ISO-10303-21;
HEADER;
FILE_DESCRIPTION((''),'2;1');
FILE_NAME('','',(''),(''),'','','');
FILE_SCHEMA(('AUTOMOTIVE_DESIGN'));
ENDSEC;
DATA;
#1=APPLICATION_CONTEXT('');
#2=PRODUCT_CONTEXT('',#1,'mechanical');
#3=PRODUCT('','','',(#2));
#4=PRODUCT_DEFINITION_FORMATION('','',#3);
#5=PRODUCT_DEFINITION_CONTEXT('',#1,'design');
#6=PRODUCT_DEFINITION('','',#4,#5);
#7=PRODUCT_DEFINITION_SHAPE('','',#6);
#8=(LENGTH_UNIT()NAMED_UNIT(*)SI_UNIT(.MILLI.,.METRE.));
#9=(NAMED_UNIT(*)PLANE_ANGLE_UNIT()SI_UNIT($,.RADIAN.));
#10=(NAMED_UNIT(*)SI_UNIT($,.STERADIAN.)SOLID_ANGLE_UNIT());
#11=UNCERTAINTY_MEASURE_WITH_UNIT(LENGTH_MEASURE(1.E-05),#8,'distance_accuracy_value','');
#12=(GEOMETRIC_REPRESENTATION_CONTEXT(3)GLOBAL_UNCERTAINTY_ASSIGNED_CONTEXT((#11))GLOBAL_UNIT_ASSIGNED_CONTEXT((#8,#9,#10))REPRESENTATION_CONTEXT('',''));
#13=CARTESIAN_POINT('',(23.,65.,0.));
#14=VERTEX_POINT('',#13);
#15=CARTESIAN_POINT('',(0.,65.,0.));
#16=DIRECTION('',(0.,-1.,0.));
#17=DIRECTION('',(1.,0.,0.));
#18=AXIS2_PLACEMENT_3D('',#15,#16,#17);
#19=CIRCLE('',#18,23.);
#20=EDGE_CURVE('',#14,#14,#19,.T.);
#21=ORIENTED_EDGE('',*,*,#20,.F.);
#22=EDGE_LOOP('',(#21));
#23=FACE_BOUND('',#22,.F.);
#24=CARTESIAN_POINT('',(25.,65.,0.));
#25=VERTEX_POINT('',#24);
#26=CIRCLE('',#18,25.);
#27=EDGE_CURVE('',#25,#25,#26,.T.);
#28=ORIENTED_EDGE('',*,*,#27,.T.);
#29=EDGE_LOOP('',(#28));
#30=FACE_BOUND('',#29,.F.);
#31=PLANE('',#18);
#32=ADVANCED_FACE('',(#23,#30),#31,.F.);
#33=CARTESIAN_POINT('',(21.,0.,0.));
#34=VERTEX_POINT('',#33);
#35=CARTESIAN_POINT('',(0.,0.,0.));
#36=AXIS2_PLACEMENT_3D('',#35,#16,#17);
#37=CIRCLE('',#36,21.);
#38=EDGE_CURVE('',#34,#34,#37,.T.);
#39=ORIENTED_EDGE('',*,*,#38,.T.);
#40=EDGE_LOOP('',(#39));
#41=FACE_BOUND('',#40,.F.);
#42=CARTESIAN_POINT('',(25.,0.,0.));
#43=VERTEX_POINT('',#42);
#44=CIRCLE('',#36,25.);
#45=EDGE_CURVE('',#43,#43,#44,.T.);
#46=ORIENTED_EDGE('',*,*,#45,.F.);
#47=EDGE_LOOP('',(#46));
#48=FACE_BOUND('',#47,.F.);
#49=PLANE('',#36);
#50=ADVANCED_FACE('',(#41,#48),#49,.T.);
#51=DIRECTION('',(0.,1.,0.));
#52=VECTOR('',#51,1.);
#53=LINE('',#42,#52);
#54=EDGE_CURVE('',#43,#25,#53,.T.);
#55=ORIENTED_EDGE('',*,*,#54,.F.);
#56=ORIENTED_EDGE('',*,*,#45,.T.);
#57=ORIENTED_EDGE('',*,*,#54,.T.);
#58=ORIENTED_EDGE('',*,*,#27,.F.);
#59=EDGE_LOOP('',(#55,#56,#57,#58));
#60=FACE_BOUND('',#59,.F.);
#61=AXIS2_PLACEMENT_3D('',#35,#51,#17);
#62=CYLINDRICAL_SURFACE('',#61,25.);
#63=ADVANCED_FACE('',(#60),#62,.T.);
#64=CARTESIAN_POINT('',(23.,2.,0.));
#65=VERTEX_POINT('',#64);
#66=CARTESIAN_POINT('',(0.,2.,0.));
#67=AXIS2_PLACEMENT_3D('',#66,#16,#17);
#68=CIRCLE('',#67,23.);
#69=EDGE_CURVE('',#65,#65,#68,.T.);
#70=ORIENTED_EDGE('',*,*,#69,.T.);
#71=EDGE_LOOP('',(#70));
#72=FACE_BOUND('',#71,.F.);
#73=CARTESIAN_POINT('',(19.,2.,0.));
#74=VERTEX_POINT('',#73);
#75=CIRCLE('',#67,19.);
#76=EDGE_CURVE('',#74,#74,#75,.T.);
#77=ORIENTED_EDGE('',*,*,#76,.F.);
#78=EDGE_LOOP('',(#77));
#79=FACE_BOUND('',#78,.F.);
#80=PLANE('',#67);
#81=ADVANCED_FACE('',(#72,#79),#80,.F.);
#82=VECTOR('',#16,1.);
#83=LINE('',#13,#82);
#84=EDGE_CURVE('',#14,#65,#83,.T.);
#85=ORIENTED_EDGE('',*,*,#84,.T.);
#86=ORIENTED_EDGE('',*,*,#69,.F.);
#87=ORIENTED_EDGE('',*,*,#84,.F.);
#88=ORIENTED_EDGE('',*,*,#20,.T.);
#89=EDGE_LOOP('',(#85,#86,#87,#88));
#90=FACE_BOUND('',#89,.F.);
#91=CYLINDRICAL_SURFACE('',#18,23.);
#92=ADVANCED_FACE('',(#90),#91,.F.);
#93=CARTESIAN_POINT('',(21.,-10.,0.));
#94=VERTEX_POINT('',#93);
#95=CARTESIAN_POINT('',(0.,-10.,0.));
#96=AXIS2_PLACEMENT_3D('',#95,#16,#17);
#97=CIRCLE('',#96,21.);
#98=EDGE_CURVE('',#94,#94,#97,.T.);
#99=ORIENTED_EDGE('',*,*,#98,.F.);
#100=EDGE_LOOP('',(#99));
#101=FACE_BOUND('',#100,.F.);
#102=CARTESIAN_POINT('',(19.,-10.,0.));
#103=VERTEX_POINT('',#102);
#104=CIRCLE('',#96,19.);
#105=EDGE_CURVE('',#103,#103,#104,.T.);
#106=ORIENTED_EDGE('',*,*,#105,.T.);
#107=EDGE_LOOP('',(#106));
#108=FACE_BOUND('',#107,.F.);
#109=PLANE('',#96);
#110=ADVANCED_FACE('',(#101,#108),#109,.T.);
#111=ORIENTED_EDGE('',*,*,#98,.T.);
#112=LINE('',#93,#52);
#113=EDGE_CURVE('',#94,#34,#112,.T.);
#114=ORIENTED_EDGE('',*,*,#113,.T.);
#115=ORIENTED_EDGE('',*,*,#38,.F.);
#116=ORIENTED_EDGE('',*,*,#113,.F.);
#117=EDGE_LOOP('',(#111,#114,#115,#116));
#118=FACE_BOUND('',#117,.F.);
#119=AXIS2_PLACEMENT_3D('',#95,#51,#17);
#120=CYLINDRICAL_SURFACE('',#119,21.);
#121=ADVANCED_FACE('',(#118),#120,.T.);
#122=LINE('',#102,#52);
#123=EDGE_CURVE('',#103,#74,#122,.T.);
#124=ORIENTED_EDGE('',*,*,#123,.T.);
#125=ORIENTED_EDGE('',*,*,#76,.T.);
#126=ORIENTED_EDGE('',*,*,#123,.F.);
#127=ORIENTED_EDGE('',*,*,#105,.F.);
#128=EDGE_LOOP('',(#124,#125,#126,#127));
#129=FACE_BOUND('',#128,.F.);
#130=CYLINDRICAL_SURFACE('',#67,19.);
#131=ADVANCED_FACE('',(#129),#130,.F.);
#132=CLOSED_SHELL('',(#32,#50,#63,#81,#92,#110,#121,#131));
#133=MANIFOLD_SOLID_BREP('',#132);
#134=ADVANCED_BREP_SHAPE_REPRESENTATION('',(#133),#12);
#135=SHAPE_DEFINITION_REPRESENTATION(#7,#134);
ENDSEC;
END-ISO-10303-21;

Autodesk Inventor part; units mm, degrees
ref_plane "YZ Plane" through (0, 0, 0) normal (1, 0, 0) x (0, 1, 0)
ref_plane "XZ Plane" through (0, 0, 0) normal (0, 1, 0) x (-1, 0, 0)
ref_plane "XY Plane" through (0, 0, 0) normal (0, 0, 1) x (1, 0, 0)
sketch "Sketch1" plane through (0, 0, 0) normal (0, 0, 1) x (1, 0, 0)
  line L0 (0, 0) -> (25, 0) construction
  line L1 (25, 0) -> (25, 65) construction
  line L2 (25, 65) -> (0, 65) construction
  line L3 (0, 65) -> (0, 0) construction
  line L4 (25, 65) -> (23, 65)
  line L5 (23, 65) -> (23, 0)
  line L6 (23, 0) -> (25, 0)
  line L7 (25, 0) -> (25, 65)
  line L8 (0, 0) -> (21, 0) construction
  line L9 (21, 0) -> (21, -10) construction
  line L10 (21, -10) -> (0, -10) construction
  line L11 (0, -10) -> (0, 0) construction
  line L12 (21, 0) -> (19, 0)
  line L13 (19, 0) -> (19, -10)
  line L14 (19, -10) -> (21, -10)
  line L15 (21, -10) -> (21, 0)
  line L16 (19, 0) -> (25, 0)
  line L17 (25, 0) -> (25, 2)
  line L18 (25, 2) -> (19, 2)
  line L19 (19, 2) -> (19, 0)
  point P0 (23, 2)
  dimension "d0" = 25
  dimension "d1" = 65
  dimension "d2" = 2
  dimension "d3" = 21
  dimension "d4" = 10
  dimension "d5" = 2
  dimension "d6" = 2
revolve "Revolution1" add sketch "Sketch1" angle 360 about axis through (0, 65, 0) along (0, -1, 0)
properties part number "flour_duct"
